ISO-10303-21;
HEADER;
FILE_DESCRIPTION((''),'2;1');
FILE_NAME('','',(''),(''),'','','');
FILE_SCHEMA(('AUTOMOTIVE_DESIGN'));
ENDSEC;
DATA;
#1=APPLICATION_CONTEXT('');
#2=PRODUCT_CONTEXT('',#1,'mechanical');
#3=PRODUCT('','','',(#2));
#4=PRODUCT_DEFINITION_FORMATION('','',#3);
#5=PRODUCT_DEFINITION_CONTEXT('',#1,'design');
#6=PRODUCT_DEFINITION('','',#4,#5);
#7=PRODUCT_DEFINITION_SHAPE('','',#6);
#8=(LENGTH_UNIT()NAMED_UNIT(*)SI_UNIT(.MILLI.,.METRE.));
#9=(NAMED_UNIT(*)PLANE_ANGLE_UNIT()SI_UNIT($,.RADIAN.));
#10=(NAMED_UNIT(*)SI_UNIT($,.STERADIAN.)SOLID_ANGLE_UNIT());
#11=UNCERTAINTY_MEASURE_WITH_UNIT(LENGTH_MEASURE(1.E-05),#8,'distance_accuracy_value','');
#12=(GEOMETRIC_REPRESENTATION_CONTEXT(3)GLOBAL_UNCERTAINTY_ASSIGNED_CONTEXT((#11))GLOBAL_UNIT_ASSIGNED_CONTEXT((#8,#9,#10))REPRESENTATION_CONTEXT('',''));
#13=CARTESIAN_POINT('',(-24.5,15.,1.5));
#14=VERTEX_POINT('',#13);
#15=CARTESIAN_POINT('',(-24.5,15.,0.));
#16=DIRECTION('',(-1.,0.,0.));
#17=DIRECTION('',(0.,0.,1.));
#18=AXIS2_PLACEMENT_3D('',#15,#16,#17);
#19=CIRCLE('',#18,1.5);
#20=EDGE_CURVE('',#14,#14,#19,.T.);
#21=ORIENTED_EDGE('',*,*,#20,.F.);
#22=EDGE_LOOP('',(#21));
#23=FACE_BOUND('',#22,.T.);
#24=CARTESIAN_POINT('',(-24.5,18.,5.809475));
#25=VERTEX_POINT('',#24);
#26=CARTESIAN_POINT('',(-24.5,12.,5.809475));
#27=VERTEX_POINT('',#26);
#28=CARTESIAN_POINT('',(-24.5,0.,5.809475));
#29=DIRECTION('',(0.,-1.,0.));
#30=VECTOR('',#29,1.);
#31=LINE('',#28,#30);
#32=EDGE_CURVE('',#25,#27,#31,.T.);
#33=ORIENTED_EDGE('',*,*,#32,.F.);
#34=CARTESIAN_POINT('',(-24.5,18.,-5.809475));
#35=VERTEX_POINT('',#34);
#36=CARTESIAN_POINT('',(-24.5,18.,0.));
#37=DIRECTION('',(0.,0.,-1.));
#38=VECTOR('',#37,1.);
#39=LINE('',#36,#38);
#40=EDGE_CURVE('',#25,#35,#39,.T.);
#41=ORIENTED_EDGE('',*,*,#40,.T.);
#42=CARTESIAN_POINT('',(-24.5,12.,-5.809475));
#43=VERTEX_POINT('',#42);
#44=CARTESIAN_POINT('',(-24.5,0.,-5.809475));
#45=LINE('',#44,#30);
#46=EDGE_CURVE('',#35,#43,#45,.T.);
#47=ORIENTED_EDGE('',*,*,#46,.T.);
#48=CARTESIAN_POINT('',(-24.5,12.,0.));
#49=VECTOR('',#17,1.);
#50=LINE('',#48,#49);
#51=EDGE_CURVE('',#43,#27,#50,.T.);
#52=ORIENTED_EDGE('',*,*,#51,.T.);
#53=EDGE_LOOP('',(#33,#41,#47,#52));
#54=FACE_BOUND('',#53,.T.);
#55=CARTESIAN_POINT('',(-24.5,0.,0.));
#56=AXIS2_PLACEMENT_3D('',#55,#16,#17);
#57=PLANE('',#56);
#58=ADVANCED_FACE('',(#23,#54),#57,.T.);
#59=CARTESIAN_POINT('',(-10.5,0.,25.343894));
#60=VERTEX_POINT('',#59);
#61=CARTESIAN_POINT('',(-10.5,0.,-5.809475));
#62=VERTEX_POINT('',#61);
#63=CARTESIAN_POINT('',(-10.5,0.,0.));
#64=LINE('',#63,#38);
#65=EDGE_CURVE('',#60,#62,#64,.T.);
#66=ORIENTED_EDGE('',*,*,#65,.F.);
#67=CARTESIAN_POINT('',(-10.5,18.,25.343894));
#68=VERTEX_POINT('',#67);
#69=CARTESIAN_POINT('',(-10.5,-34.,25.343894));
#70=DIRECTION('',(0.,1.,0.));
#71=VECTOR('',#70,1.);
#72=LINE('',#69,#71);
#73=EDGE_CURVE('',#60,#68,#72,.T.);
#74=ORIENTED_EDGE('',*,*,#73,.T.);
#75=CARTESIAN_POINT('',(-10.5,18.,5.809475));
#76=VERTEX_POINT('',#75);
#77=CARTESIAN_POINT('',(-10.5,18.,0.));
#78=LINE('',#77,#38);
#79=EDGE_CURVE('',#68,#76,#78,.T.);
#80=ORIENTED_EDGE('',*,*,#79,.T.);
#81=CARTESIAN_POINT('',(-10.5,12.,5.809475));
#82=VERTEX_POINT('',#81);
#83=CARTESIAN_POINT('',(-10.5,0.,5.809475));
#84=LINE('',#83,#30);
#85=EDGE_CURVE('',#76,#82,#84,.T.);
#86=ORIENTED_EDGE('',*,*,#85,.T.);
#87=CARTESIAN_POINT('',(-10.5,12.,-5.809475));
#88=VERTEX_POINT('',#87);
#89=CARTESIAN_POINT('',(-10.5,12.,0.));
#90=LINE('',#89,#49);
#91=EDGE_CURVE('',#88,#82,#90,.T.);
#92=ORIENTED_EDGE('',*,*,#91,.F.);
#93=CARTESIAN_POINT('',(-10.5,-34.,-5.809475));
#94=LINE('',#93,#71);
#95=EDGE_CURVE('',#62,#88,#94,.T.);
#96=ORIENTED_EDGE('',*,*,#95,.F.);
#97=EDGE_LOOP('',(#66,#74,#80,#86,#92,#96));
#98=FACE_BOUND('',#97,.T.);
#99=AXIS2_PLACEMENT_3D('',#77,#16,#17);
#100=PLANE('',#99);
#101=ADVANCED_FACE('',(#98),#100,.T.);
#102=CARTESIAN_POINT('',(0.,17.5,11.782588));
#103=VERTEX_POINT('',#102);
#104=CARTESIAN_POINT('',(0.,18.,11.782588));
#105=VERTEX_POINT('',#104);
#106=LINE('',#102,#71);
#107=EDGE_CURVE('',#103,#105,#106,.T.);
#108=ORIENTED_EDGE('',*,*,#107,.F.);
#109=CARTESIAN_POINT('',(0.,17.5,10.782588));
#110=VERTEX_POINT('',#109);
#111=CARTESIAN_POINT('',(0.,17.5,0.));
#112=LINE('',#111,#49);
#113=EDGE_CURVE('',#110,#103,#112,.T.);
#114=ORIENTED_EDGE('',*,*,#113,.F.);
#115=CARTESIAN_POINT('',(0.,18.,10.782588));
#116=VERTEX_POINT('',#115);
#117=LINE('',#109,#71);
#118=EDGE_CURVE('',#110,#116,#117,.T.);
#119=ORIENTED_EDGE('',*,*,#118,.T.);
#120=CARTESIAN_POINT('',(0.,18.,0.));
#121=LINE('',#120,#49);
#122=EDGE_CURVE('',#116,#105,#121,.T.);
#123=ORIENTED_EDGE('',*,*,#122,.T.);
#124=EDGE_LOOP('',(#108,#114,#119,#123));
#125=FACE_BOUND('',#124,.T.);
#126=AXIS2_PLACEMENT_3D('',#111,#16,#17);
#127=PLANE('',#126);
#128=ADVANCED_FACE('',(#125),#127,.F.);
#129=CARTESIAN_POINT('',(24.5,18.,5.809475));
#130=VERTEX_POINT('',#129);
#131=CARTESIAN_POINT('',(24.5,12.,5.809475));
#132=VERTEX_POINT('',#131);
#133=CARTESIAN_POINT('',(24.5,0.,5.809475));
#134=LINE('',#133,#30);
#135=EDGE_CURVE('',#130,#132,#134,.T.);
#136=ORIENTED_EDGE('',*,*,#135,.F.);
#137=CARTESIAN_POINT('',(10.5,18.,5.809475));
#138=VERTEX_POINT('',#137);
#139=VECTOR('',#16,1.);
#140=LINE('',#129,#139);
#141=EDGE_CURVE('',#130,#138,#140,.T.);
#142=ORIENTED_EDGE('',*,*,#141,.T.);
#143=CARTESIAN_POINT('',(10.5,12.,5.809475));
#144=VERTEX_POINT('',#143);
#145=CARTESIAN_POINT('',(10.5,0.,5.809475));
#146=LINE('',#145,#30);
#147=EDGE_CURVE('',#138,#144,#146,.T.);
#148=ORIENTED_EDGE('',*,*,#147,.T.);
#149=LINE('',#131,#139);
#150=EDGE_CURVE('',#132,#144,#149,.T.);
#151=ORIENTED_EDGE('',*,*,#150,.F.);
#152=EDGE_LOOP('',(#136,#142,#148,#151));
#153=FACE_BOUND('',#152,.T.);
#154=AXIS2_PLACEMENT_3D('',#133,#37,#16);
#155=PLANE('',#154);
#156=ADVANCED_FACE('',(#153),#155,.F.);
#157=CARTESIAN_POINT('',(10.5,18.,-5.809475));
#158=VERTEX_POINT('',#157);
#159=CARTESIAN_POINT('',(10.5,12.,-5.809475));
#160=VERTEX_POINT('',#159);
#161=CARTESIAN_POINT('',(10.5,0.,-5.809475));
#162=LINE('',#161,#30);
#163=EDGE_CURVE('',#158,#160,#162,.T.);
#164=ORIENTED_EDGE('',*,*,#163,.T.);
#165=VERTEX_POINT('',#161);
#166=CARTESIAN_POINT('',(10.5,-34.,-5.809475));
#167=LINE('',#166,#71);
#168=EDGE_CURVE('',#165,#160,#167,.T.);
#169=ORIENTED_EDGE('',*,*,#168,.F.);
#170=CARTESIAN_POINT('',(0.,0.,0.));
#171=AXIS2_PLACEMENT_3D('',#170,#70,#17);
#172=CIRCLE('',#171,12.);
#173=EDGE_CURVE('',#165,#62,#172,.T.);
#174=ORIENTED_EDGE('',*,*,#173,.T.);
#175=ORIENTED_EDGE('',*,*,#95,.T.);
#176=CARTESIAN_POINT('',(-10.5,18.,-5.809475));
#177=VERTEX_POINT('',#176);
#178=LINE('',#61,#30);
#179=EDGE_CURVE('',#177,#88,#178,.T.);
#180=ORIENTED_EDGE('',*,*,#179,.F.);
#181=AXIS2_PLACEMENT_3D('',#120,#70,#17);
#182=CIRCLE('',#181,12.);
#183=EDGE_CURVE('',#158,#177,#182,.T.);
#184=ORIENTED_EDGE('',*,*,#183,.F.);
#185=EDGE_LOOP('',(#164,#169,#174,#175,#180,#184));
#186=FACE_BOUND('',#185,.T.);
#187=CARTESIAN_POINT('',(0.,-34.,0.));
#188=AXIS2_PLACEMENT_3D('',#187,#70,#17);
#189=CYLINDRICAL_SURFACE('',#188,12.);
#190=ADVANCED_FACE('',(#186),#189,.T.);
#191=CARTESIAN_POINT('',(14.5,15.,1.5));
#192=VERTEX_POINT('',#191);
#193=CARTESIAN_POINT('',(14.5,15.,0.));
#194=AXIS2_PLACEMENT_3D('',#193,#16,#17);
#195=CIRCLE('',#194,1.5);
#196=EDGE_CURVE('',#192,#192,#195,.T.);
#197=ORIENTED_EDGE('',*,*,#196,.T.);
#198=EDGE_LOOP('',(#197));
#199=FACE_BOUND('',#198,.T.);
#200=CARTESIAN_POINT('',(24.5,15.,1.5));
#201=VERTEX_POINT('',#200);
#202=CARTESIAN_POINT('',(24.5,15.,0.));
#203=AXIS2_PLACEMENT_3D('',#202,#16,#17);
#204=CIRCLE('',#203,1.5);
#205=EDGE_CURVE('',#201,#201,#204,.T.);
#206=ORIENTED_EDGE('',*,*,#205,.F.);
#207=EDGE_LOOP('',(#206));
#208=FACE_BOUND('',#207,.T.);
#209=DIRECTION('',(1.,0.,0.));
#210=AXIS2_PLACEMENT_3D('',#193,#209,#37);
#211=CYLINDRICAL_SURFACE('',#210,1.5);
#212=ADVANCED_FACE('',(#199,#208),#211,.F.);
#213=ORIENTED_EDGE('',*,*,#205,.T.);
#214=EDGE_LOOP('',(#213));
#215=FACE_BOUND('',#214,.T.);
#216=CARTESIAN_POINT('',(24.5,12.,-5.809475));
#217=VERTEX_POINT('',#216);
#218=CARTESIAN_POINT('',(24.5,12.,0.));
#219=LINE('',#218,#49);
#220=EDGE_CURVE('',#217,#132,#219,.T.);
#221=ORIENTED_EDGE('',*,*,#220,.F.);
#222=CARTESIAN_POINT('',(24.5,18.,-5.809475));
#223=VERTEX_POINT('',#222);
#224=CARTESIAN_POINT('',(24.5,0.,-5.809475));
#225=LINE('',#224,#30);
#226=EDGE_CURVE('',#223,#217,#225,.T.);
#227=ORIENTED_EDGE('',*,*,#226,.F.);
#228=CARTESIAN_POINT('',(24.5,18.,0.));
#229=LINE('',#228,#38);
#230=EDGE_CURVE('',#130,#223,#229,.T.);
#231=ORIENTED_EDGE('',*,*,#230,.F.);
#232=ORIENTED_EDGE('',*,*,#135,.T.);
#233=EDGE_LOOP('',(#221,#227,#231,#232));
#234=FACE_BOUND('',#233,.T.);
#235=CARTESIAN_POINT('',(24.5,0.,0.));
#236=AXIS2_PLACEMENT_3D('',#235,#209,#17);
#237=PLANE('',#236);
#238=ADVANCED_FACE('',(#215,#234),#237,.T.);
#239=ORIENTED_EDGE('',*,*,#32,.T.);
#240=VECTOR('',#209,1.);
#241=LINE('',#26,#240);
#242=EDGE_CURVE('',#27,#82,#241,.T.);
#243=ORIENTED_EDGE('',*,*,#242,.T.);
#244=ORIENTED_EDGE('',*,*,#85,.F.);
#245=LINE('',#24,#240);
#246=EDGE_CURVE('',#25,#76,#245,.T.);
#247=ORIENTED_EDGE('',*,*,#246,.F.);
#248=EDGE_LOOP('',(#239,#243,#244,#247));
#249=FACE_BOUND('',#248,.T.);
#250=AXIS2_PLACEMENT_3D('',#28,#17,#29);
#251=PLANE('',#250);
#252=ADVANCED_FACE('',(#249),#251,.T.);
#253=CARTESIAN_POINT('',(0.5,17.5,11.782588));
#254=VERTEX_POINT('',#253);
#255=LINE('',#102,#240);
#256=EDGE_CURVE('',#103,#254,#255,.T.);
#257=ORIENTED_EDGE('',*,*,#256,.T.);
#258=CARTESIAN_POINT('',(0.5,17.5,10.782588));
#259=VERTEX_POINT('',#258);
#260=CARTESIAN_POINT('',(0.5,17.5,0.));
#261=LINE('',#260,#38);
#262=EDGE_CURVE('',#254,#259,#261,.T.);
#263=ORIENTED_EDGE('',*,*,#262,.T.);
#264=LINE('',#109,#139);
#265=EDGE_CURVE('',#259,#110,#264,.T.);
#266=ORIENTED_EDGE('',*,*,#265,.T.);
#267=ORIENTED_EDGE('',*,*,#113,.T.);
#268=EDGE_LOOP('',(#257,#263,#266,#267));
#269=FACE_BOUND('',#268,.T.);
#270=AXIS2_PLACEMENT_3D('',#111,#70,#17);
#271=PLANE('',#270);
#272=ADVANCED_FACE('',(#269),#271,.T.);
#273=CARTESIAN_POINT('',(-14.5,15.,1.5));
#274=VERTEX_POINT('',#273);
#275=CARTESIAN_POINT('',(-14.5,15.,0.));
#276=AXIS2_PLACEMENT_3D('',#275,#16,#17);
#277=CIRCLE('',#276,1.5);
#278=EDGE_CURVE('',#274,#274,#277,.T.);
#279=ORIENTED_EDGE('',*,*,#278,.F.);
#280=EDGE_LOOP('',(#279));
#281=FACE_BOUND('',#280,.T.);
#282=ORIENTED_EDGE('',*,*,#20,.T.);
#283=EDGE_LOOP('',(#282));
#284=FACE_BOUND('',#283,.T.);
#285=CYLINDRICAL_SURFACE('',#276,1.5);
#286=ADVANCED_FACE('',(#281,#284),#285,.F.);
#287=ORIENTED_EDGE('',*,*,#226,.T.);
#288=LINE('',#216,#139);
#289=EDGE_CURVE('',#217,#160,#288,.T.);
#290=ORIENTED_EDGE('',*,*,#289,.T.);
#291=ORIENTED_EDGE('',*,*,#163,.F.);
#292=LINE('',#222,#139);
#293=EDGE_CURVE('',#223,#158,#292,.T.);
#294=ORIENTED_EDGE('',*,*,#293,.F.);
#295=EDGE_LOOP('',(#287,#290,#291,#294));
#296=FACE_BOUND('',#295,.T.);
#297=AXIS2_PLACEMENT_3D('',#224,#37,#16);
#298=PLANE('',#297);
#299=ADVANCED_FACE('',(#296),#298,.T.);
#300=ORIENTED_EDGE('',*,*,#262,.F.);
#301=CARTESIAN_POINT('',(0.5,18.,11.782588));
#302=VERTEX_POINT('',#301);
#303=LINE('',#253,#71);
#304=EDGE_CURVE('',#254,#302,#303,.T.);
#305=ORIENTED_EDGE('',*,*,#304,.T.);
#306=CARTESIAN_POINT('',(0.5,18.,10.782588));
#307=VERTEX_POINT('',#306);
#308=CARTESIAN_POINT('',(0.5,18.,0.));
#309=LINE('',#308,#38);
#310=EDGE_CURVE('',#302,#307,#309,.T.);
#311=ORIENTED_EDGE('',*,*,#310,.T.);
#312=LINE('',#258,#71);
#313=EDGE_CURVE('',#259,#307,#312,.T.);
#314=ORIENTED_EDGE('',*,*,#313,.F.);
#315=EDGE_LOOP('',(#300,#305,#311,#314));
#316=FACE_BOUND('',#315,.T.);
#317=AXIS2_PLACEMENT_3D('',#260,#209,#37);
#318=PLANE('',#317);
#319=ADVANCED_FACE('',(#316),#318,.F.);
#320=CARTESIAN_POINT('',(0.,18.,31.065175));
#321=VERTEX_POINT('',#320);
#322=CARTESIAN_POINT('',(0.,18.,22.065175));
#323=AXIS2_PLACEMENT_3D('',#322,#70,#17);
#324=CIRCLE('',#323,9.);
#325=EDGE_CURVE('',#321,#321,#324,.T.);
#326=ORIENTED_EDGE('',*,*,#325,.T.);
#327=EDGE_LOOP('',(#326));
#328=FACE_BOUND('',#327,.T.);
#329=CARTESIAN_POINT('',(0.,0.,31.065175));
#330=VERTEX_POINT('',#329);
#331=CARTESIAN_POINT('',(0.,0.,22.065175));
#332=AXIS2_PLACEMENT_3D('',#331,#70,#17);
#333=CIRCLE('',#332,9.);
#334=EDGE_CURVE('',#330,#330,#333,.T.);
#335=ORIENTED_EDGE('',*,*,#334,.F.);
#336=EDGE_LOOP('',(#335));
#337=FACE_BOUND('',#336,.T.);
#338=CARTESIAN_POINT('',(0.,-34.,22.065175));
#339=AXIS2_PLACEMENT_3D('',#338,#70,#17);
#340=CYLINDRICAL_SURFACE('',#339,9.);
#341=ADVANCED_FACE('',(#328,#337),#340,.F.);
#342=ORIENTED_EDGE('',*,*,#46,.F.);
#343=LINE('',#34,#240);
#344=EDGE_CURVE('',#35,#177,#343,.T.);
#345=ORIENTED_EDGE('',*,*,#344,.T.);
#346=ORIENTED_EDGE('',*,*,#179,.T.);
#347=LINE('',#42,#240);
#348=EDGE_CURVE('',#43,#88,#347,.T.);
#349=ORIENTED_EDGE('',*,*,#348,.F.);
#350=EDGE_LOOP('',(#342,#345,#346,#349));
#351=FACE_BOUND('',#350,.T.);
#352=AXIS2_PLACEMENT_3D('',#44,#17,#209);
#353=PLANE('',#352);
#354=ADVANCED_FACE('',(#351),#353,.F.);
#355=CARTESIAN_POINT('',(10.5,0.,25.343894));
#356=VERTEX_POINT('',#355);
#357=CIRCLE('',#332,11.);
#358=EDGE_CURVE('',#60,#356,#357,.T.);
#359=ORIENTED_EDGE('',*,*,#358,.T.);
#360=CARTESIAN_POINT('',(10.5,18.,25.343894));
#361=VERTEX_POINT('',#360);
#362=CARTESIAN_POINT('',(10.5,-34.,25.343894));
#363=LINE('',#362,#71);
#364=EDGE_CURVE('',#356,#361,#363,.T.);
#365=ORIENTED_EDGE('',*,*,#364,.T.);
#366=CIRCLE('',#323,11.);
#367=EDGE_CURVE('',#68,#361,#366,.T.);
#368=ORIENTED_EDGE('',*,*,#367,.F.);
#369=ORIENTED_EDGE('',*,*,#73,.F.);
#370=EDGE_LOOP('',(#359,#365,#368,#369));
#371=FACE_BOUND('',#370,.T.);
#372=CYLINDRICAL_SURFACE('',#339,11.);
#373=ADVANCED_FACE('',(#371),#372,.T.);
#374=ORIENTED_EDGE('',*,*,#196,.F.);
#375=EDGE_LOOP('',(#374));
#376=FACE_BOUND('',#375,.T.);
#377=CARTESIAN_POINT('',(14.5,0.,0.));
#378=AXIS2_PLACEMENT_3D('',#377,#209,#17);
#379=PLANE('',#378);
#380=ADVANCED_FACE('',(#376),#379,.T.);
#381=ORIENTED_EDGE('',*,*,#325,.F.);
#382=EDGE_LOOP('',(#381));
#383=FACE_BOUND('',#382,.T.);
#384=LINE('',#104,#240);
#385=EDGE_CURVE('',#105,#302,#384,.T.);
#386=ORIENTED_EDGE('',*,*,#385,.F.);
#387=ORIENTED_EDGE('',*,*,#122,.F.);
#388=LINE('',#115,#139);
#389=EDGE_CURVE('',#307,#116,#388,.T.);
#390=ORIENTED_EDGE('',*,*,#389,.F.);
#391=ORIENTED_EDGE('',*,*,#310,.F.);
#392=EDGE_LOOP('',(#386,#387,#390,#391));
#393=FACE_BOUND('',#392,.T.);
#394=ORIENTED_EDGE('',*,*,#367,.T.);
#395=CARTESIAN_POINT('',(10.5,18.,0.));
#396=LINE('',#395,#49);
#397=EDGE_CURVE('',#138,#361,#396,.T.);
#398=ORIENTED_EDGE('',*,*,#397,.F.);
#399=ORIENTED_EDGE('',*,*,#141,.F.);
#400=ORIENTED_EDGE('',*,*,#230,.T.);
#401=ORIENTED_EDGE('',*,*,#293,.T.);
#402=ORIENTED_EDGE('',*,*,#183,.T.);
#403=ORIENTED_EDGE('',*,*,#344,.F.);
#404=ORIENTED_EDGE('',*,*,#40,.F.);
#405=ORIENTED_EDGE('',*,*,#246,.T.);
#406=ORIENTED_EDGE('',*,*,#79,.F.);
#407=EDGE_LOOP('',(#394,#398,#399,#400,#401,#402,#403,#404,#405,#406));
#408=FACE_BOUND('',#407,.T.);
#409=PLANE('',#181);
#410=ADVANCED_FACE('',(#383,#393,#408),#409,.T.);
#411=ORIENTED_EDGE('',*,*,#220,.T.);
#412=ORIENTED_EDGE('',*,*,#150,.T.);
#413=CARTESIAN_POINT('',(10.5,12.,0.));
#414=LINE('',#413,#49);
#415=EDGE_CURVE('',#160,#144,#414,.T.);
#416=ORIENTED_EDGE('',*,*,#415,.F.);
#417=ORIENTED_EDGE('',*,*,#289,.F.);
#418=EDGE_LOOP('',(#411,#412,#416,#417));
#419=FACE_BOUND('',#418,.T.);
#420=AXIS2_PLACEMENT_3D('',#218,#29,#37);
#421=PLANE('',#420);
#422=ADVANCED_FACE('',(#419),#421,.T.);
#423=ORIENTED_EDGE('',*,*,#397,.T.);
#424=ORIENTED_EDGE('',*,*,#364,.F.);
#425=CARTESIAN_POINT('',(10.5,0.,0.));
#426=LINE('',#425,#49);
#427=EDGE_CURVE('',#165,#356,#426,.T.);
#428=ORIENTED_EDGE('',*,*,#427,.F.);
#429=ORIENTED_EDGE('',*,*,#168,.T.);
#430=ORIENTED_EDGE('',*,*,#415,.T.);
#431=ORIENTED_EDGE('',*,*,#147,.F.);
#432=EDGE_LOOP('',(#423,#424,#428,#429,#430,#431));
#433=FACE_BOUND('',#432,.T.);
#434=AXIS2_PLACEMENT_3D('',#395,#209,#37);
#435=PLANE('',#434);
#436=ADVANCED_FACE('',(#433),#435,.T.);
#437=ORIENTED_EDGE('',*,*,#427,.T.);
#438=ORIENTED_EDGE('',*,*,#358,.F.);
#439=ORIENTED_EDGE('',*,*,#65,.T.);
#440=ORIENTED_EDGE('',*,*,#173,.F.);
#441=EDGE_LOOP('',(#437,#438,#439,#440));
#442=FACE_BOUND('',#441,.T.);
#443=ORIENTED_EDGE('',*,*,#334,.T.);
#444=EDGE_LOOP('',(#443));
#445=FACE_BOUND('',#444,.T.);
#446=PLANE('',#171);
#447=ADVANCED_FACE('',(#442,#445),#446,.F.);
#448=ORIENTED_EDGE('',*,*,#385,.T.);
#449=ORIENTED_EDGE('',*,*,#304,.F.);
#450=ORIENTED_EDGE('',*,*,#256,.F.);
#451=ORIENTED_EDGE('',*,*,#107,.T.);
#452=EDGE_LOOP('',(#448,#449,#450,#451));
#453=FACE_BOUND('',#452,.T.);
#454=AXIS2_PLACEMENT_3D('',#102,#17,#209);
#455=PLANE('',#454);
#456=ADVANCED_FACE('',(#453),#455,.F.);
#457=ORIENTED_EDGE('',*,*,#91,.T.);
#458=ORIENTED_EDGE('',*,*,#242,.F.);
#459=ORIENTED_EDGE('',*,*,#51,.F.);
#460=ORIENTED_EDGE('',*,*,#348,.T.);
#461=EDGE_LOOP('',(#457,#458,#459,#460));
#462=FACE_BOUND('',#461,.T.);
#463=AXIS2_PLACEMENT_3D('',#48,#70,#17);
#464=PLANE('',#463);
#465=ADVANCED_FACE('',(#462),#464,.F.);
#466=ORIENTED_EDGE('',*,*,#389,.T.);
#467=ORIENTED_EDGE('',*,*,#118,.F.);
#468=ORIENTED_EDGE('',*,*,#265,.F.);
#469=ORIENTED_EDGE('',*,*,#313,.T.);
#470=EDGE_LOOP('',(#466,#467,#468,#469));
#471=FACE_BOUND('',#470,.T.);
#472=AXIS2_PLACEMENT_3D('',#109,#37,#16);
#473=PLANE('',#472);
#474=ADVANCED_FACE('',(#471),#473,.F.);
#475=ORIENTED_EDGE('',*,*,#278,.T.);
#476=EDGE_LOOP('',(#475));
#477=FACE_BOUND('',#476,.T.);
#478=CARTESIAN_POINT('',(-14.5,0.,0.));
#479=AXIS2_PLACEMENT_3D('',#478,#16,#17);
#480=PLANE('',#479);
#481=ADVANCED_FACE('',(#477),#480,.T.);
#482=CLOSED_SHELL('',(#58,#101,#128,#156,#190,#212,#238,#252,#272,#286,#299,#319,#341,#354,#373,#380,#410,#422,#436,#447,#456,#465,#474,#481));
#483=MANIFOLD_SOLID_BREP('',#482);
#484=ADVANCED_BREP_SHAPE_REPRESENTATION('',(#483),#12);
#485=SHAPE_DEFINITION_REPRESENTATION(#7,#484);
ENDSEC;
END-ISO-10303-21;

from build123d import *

# Parameters (mm, degrees)
SKETCH1_W           = 21
SKETCH1_H           = 45.065175024
BOSS_EXTRUDE1_DEPTH = 18
SKETCH6_R           = 9
CUT_EXTRUDE4_DEPTH  = 52
CUT_EXTRUDE5_DEPTH  = 52
SKETCH10_W          = 5.809475019
SKETCH10_H          = 6
BOSS_EXTRUDE2_DEPTH = 14
SKETCH11_W          = 0.5
SKETCH11_H          = 1
CUT_EXTRUDE6_DEPTH  = 0.5
CUT_EXTRUDE7_DEPTH  = 10


with BuildPart() as part:
    # Sketch1 → Boss-Extrude1 (new body)
    with BuildSketch(Plane(origin=(0, 0, 0), x_dir=(1, 0, 0), z_dir=(0, 1, 0))):
        with Locations((0, -10.532587512)):
            Rectangle(SKETCH1_W, SKETCH1_H)
    extrude(amount=BOSS_EXTRUDE1_DEPTH)

    # Sketch6 → Cut-Extrude4 (cut)
    with BuildSketch(Plane(origin=(0, 18, 0), x_dir=(1, 0, 0), z_dir=(0, 1, 0))):
        with BuildLine():
            Line((0, -33.065175024), (10.5, -33.065175024))
            Line((10.5, -33.065175024), (10.5, -25.343894287))
            ThreePointArc((10.5, -25.343894287), (6.51667431, -30.927057214), (0, -33.065175024))
        make_face()
        with Locations(Location((0, -22.065175024, 0), (0, 0, 270))):
            Circle(SKETCH6_R)
        with BuildLine():
            Line((-10.5, -33.065175024), (0, -33.065175024))
            ThreePointArc((0, -33.065175024), (-6.51667431, -30.927057214), (-10.5, -25.343894287))
            Line((-10.5, -25.343894287), (-10.5, -33.065175024))
        make_face()
    extrude(amount=-CUT_EXTRUDE4_DEPTH, mode=Mode.SUBTRACT)

    # Sketch8 → Cut-Extrude5 (cut)
    with BuildSketch(Plane(origin=(0, 18, 0), x_dir=(1, 0, 0), z_dir=(0, 1, 0))):
        with BuildLine():
            Line((0, 12), (-10.5, 12))
            Line((-10.5, 12), (-10.5, 5.809475019))
            ThreePointArc((-10.5, 5.809475019), (-6.094518019, 10.337158706), (0, 12))
        make_face()
        with BuildLine():
            Line((10.5, 12), (0, 12))
            ThreePointArc((0, 12), (6.094518019, 10.337158706), (10.5, 5.809475019))
            Line((10.5, 5.809475019), (10.5, 12))
        make_face()
    extrude(amount=-CUT_EXTRUDE5_DEPTH, mode=Mode.SUBTRACT)

    # Sketch10 → Boss-Extrude2 (add)
    with BuildSketch(Plane.ZY.offset(10.5)):
        with Locations((2.90473751, 15)):
            Rectangle(SKETCH10_W, SKETCH10_H)
        with Locations((-2.90473751, 15)):
            Rectangle(SKETCH10_W, SKETCH10_H)
    boss_extrude2 = extrude(amount=BOSS_EXTRUDE2_DEPTH)

    # Sketch11 → Cut-Extrude6 (cut)
    with BuildSketch(Plane(origin=(0, 18, 0), x_dir=(1, 0, 0), z_dir=(0, 1, 0))):
        with Locations((0.25, -11.282587512)):
            Rectangle(SKETCH11_W, SKETCH11_H)
    extrude(amount=-CUT_EXTRUDE6_DEPTH, mode=Mode.SUBTRACT)

    # Mirror1: Boss-Extrude2 across plane
    add(boss_extrude2.mirror(Plane(origin=(0, 17.5, 0), x_dir=(0, 0, 1), z_dir=(-1, 0, 0))))

    # Sketch12 → Cut-Extrude7 (cut)
    with BuildSketch(Plane.ZY.offset(24.5)):
        with BuildLine():
            ThreePointArc((1.5, 15), (1.060660172, 16.060660172), (0, 16.5))
            Line((0, 16.5), (0, 13.5))
            ThreePointArc((0, 13.5), (1.060660172, 13.939339828), (1.5, 15))
        make_face()
        with BuildLine():
            Line((0, 13.5), (0, 16.5))
            ThreePointArc((0, 16.5), (-1.5, 15), (0, 13.5))
        make_face()
    cut_extrude7 = extrude(amount=-CUT_EXTRUDE7_DEPTH, mode=Mode.SUBTRACT)

    # Mirror2: Cut-Extrude7 across plane
    add(cut_extrude7.mirror(Plane(origin=(0, 17.5, 0), x_dir=(0, 0, 1), z_dir=(-1, 0, 0))), mode=Mode.SUBTRACT)


solid = part.part
